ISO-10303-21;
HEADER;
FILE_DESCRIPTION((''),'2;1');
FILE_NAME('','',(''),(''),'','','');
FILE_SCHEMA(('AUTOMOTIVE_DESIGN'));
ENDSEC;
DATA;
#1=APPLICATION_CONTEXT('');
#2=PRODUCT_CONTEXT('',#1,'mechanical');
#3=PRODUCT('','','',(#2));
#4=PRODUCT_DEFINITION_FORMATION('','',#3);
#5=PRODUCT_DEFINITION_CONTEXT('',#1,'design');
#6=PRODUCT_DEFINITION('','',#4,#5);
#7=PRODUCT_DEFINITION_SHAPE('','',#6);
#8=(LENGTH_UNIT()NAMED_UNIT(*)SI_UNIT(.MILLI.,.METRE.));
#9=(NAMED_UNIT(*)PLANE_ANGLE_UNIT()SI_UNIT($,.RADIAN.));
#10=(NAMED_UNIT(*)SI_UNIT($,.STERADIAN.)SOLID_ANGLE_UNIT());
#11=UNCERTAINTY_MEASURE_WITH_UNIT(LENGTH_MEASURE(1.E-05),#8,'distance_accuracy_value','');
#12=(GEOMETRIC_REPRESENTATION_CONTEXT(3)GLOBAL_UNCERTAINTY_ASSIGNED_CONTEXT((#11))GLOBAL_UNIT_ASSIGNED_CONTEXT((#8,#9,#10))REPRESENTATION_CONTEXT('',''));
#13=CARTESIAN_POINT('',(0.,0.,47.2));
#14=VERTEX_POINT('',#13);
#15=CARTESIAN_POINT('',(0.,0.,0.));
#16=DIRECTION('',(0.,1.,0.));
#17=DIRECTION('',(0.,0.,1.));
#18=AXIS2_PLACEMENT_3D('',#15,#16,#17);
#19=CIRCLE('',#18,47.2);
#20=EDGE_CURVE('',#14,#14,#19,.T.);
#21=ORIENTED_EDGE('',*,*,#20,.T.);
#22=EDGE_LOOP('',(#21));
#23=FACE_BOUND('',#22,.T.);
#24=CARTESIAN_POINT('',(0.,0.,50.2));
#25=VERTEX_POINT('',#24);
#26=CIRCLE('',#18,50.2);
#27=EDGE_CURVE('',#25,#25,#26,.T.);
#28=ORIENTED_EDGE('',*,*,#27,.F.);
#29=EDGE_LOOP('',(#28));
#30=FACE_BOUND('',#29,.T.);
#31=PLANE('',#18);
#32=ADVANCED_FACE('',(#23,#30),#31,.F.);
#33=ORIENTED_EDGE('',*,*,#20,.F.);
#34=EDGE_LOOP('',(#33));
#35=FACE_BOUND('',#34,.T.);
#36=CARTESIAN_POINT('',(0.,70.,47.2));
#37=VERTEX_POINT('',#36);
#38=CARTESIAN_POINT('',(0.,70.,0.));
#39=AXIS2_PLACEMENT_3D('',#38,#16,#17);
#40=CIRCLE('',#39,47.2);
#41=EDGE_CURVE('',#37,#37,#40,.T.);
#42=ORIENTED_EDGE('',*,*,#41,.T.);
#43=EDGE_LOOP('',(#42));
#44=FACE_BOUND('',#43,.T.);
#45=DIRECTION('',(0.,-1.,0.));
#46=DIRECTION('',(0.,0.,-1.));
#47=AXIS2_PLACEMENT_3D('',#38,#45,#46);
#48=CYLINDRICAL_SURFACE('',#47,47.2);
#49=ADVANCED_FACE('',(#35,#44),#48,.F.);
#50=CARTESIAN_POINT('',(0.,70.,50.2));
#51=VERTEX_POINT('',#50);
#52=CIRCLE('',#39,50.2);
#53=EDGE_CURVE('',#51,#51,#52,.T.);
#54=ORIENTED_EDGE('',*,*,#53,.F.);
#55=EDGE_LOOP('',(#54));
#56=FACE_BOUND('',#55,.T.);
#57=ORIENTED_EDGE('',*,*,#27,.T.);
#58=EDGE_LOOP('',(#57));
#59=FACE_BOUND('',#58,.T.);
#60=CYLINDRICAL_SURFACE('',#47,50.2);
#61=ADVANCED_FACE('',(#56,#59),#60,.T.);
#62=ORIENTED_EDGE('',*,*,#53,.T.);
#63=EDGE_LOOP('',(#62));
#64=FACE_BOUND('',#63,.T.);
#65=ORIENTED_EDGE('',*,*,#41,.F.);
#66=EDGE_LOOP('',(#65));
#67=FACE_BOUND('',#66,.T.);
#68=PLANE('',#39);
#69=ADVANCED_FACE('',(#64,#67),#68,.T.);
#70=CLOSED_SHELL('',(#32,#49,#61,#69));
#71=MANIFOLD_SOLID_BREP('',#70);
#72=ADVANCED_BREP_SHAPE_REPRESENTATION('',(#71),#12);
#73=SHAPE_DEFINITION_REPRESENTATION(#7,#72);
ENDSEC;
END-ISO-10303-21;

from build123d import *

# Parameters (mm, degrees)
ESQUISSE1_R        = 50.2
ESQUISSE1_R_2      = 47.2
BOSS_EXTRU_1_DEPTH = 70


with BuildPart() as part:
    # Esquisse1 → Boss.-Extru.1 (new body)
    with BuildSketch(Plane(origin=(0, 0, 0), x_dir=(1, 0, 0), z_dir=(0, 1, 0))):
        Circle(ESQUISSE1_R)
        Circle(ESQUISSE1_R_2, mode=Mode.SUBTRACT)
    extrude(amount=BOSS_EXTRU_1_DEPTH)


solid = part.part
